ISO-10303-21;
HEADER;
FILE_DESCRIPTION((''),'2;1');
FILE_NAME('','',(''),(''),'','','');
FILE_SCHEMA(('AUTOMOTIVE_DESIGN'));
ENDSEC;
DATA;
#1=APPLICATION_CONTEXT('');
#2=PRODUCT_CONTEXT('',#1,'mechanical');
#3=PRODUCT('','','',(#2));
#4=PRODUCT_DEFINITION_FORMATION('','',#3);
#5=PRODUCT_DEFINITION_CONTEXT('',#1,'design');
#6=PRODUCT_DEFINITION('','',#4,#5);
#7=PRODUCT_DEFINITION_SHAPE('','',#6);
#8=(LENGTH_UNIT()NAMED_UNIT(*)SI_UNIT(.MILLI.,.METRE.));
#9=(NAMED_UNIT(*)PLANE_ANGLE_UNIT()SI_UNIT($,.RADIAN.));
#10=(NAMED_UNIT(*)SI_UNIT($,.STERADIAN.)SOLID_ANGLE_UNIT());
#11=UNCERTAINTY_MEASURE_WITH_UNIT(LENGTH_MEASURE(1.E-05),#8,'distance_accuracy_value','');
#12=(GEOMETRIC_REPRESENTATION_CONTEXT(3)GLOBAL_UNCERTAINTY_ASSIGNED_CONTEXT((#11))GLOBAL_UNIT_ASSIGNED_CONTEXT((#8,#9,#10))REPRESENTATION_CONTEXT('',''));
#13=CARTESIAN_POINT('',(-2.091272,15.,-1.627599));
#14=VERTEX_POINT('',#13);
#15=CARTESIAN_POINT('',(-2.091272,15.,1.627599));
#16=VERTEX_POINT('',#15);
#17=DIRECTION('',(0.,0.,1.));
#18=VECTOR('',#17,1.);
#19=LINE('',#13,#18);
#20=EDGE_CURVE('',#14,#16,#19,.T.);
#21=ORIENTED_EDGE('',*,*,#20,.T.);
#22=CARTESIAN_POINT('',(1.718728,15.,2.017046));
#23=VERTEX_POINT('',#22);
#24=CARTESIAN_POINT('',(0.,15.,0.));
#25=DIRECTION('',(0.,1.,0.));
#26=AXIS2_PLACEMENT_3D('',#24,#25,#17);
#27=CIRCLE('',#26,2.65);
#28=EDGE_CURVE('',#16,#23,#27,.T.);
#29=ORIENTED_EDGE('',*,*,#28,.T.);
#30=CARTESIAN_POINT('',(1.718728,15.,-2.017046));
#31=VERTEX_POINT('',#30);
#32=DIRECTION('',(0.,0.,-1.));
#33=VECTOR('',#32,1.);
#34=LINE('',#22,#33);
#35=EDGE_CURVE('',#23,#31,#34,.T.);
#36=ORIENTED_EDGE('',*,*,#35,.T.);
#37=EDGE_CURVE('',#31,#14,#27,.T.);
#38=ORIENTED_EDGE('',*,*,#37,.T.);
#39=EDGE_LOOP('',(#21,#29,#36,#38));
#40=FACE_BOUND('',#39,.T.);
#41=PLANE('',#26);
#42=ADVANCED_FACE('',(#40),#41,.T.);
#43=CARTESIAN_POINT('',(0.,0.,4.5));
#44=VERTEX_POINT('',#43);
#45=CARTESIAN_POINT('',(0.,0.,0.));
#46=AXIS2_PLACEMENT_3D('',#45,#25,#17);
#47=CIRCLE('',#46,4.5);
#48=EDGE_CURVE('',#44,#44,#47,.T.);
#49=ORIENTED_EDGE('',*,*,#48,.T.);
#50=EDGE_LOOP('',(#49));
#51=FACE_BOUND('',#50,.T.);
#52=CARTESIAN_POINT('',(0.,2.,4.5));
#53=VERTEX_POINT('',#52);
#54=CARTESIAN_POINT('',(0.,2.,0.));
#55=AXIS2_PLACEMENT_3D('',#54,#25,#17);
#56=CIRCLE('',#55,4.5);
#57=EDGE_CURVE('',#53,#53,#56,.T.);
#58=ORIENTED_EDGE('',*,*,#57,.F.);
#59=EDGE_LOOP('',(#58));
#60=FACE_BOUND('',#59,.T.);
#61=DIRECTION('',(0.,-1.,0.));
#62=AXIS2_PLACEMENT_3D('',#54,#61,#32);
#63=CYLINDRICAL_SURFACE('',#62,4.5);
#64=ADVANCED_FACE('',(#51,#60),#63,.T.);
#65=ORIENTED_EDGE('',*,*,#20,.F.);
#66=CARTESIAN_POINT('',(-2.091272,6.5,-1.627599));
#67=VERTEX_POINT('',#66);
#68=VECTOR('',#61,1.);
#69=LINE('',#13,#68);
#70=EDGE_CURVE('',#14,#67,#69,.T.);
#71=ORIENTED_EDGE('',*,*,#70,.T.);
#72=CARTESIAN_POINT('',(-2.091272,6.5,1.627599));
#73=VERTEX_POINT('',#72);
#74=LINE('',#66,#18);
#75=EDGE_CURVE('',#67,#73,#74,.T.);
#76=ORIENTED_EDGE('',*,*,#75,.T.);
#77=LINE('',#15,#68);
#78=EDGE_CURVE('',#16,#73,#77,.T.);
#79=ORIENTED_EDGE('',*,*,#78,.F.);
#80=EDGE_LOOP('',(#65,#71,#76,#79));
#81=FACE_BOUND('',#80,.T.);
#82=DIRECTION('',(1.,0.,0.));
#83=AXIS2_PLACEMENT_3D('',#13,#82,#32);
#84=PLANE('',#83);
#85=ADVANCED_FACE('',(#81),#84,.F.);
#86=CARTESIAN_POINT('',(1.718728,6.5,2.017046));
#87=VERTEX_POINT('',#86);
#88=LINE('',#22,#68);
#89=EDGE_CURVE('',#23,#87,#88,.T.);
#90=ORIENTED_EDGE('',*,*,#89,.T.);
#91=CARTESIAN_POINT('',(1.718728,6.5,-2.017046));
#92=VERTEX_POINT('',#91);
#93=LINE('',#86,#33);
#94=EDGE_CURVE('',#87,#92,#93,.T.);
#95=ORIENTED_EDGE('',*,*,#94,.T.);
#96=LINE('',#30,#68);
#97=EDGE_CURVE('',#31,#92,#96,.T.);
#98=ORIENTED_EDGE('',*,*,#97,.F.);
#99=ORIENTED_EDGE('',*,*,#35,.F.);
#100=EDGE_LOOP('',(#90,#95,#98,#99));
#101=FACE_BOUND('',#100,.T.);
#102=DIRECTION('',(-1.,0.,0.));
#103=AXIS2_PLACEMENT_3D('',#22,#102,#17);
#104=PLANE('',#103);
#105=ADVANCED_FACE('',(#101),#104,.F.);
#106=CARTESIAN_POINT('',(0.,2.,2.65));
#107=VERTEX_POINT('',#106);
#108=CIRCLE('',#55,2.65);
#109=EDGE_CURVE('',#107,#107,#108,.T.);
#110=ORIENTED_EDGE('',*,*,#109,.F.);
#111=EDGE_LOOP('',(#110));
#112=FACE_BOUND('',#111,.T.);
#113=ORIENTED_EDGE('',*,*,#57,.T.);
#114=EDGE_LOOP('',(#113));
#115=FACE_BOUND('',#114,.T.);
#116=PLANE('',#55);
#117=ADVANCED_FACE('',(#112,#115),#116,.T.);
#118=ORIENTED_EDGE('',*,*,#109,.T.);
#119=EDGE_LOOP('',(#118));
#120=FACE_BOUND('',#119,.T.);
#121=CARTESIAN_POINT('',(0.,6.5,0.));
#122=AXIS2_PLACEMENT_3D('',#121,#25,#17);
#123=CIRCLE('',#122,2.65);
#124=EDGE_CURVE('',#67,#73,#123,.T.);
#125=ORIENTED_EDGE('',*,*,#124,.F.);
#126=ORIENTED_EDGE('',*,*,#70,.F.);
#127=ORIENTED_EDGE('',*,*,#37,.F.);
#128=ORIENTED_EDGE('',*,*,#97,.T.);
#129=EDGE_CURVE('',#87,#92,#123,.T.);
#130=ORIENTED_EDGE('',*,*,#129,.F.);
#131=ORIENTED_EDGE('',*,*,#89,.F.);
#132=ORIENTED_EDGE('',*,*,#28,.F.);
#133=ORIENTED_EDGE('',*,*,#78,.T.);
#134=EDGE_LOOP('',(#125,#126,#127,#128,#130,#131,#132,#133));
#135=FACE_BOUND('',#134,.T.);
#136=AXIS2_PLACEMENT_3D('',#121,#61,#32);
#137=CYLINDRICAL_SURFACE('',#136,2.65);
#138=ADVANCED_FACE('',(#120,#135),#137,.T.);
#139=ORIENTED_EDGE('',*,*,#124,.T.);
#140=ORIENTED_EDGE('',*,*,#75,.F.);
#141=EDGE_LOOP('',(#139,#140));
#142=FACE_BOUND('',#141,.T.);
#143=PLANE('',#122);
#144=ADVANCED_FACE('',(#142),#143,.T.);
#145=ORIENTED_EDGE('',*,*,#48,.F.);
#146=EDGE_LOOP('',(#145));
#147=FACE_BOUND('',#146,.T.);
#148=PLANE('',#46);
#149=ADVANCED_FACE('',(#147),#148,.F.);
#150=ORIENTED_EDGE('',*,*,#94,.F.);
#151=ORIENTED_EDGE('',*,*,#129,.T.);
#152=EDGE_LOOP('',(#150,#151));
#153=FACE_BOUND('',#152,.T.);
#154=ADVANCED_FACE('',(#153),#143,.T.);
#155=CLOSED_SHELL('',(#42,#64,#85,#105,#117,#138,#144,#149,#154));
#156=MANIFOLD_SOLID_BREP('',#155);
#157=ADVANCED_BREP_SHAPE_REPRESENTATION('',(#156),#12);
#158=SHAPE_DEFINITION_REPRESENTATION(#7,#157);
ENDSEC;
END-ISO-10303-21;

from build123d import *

# Parameters (mm, degrees)
SKETCH1_R           = 4.5
BOSS_EXTRUDE1_DEPTH = 2
SKETCH2_R           = 2.65
BOSS_EXTRUDE2_DEPTH = 4.5
BOSS_EXTRUDE3_DEPTH = 8.5


with BuildPart() as part:
    # Sketch1 → Boss-Extrude1 (new body)
    with BuildSketch(Plane(origin=(0, 0, 0), x_dir=(1, 0, 0), z_dir=(0, 1, 0))):
        with Locations(Location((0, 0, 0), (0, 0, 270))):
            Circle(SKETCH1_R)
    extrude(amount=BOSS_EXTRUDE1_DEPTH)

    # Sketch2 → Boss-Extrude2 (add)
    with BuildSketch(Plane(origin=(0, 2, 0), x_dir=(1, 0, 0), z_dir=(0, 1, 0))):
        with Locations(Location((0, 0, 0), (0, 0, 270))):
            Circle(SKETCH2_R)
    extrude(amount=BOSS_EXTRUDE2_DEPTH)

    # Sketch4 → Boss-Extrude3 (add)
    with BuildSketch(Plane(origin=(0, 6.5, 0), x_dir=(1, 0, 0), z_dir=(0, 1, 0))):
        with BuildLine():
            Line((1.718727688, -2.017046141), (1.718727688, 2.017046141))
            ThreePointArc((1.718727688, 2.017046141), (-0.269470865, 2.63626354), (-2.091272312, 1.627599495))
            Line((-2.091272312, 1.627599495), (-2.091272312, -1.627599495))
            ThreePointArc((-2.091272312, -1.627599495), (-0.269470865, -2.63626354), (1.718727688, -2.017046141))
        make_face()
    extrude(amount=BOSS_EXTRUDE3_DEPTH)


solid = part.part
